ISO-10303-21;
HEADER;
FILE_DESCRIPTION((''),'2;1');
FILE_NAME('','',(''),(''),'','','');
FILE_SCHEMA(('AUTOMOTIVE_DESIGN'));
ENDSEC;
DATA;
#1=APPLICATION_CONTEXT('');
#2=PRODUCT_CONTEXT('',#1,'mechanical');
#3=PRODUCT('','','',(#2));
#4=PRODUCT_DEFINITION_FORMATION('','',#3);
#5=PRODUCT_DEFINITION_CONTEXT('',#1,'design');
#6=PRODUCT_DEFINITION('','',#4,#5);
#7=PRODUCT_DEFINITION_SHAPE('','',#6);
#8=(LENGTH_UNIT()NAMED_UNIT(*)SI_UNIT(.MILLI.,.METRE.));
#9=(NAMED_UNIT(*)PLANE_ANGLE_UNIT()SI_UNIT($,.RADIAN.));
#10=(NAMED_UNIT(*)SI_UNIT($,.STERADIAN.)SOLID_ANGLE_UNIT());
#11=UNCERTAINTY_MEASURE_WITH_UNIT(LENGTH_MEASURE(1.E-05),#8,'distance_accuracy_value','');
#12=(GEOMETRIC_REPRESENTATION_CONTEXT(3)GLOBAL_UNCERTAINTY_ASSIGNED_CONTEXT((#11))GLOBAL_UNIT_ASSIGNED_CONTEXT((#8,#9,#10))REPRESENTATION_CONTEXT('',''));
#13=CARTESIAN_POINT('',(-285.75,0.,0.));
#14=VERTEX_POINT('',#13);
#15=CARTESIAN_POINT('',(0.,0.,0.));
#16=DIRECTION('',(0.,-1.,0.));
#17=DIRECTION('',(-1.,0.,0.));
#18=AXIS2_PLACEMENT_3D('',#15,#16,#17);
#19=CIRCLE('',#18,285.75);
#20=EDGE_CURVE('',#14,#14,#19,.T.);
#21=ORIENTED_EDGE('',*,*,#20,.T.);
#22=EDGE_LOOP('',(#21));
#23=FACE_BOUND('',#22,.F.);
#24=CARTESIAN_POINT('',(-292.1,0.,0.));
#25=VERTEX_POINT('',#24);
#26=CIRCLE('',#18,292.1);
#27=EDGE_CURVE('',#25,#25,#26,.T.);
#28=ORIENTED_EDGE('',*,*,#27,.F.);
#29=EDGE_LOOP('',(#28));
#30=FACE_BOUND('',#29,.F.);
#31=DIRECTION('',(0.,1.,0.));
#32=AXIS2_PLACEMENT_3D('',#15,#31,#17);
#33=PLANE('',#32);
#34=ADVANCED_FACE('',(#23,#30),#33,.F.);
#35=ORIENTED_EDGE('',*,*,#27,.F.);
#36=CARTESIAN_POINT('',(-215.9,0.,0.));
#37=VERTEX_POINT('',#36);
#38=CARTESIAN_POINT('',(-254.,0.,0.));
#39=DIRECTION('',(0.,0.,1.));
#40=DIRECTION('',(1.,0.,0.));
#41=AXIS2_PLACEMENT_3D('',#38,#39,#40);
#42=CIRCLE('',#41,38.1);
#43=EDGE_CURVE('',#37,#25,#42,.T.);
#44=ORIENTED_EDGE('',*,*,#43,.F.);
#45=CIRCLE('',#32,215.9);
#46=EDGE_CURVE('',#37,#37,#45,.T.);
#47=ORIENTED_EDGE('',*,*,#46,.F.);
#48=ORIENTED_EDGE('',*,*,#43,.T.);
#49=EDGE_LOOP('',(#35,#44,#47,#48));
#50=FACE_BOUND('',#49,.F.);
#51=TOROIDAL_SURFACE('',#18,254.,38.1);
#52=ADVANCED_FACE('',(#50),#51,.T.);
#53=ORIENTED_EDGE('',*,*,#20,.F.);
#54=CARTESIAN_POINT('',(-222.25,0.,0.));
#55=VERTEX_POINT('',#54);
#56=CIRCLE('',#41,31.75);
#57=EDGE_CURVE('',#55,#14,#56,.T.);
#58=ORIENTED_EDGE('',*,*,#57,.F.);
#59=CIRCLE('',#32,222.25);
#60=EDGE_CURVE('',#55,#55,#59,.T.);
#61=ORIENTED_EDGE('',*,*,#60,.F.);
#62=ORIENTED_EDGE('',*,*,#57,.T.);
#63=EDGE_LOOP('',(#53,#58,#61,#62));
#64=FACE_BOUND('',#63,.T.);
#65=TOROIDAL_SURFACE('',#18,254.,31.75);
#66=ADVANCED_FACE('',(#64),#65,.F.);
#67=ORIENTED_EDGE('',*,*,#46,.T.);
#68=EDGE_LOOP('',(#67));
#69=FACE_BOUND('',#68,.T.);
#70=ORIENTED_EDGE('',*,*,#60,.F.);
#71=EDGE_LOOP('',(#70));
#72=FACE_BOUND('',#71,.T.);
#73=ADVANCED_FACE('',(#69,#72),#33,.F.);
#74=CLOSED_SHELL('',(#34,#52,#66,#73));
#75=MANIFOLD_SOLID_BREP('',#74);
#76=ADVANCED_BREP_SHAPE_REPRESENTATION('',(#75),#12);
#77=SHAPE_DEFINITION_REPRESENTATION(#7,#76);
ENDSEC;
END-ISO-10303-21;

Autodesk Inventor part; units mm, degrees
ref_plane "YZ Plane" through (0, 0, 0) normal (1, 0, 0) x (0, 1, 0)
ref_plane "XZ Plane" through (0, 0, 0) normal (0, 1, 0) x (-1, 0, 0)
ref_plane "XY Plane" through (0, 0, 0) normal (0, 0, 1) x (1, 0, 0)
sketch "Sketch3" plane through (0, 0, 0) normal (0, 0, 1) x (1, 0, 0)
  line L0 (0, 0) -> (-254, 0)
  circle A0 centre (-254, 0) radius 38.1
  circle A1 centre (-254, 0) radius 31.75
  line L1 (0, -53.34) -> (0, 53.34) projected
  dimension "centerRing" = 254
  dimension "outerDiam" = 76.2
  dimension "innerDiam" = 63.5
revolve "Revolution2" add sketch "Sketch3" angle 360 about axis through (0, -10, 0) along (0, 1, 0)
sketch "Sketch5" plane through (0, 0, 0) normal (0, 1, 0) x (-1, 0, 0)
  circle A0 centre (0, 0) radius 304.8
  dimension "removeDiam" = 609.6
extrude "Extrusion2" cut sketch "Sketch5" against normal through all
properties part number "ring"
